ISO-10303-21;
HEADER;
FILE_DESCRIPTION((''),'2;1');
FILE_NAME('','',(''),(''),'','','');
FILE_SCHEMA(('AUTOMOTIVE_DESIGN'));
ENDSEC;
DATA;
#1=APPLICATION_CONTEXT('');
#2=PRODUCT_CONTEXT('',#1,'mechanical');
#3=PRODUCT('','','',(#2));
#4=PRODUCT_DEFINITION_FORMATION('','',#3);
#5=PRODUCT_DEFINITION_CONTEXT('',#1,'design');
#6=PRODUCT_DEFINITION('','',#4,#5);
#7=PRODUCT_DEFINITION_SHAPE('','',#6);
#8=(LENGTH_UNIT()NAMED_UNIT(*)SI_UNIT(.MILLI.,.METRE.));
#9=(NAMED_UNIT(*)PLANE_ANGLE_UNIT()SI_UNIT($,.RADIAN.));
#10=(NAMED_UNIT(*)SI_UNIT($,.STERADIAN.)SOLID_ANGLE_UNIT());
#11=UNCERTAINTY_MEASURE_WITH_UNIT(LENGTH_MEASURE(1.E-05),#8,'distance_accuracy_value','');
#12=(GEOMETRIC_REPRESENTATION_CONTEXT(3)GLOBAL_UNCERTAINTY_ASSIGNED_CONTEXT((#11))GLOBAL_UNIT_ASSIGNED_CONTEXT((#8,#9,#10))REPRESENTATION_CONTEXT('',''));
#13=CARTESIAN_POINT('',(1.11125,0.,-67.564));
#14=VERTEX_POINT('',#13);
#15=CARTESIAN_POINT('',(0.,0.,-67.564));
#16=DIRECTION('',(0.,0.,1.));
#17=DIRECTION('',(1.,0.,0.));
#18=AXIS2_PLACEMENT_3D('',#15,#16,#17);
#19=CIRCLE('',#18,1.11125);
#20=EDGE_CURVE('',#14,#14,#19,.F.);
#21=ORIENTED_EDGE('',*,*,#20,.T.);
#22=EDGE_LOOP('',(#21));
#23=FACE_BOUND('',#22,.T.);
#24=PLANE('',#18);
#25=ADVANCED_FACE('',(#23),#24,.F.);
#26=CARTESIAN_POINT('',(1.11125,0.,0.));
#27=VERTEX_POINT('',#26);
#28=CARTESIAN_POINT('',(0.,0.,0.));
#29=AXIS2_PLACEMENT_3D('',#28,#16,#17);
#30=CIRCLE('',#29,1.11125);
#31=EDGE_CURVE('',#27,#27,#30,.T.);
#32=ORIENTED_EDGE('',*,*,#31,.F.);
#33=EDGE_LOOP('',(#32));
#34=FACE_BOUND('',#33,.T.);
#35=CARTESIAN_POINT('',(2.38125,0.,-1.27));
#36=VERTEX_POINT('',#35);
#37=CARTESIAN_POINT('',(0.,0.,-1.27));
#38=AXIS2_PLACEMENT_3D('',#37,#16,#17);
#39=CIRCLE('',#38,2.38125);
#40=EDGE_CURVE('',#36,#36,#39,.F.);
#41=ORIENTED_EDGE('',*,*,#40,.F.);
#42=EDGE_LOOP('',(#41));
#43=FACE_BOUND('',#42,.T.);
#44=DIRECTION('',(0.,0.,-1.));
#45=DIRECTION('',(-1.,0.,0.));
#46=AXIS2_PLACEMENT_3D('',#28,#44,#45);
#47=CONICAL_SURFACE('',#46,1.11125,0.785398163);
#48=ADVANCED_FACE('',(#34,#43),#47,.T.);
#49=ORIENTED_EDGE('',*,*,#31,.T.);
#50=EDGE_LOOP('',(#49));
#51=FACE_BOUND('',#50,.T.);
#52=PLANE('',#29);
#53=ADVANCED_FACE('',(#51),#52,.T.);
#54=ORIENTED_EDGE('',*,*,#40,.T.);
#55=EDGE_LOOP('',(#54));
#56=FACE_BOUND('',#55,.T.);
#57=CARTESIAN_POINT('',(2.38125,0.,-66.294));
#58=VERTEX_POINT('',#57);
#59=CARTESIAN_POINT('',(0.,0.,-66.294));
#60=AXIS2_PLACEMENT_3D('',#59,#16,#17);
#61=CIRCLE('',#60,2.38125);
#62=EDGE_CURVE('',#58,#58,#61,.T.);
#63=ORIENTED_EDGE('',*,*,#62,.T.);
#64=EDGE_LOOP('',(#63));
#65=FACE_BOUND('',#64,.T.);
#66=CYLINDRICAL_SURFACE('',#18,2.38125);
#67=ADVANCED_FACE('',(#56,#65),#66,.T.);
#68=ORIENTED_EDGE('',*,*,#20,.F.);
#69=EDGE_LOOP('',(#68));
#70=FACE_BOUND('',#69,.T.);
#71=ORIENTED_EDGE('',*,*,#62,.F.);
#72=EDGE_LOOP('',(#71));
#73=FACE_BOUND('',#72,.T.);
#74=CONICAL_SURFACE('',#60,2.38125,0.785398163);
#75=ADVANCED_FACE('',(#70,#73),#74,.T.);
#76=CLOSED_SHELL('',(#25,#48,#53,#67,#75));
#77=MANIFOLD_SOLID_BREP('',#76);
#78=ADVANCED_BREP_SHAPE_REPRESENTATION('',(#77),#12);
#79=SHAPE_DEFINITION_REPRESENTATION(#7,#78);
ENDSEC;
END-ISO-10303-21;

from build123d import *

# Parameters (mm, degrees)
SKETCH1_R           = 2.38125
BOSS_EXTRUDE1_DEPTH = 67.564
CHAMFER1_SIZE       = 1.27


with BuildPart() as part:
    # Sketch1 → Boss-Extrude1 (new body)
    with BuildSketch(Plane.XY):
        Circle(SKETCH1_R)
    extrude(amount=-BOSS_EXTRUDE1_DEPTH)

    # Chamfer1
    chamfer1_edges = [part.edges().sort_by_distance(p)[0] for p in [
        (-2.38125, 0, 0),
        (-2.38125, 0, -67.564),
    ]]
    chamfer(chamfer1_edges, length=CHAMFER1_SIZE)


solid = part.part
